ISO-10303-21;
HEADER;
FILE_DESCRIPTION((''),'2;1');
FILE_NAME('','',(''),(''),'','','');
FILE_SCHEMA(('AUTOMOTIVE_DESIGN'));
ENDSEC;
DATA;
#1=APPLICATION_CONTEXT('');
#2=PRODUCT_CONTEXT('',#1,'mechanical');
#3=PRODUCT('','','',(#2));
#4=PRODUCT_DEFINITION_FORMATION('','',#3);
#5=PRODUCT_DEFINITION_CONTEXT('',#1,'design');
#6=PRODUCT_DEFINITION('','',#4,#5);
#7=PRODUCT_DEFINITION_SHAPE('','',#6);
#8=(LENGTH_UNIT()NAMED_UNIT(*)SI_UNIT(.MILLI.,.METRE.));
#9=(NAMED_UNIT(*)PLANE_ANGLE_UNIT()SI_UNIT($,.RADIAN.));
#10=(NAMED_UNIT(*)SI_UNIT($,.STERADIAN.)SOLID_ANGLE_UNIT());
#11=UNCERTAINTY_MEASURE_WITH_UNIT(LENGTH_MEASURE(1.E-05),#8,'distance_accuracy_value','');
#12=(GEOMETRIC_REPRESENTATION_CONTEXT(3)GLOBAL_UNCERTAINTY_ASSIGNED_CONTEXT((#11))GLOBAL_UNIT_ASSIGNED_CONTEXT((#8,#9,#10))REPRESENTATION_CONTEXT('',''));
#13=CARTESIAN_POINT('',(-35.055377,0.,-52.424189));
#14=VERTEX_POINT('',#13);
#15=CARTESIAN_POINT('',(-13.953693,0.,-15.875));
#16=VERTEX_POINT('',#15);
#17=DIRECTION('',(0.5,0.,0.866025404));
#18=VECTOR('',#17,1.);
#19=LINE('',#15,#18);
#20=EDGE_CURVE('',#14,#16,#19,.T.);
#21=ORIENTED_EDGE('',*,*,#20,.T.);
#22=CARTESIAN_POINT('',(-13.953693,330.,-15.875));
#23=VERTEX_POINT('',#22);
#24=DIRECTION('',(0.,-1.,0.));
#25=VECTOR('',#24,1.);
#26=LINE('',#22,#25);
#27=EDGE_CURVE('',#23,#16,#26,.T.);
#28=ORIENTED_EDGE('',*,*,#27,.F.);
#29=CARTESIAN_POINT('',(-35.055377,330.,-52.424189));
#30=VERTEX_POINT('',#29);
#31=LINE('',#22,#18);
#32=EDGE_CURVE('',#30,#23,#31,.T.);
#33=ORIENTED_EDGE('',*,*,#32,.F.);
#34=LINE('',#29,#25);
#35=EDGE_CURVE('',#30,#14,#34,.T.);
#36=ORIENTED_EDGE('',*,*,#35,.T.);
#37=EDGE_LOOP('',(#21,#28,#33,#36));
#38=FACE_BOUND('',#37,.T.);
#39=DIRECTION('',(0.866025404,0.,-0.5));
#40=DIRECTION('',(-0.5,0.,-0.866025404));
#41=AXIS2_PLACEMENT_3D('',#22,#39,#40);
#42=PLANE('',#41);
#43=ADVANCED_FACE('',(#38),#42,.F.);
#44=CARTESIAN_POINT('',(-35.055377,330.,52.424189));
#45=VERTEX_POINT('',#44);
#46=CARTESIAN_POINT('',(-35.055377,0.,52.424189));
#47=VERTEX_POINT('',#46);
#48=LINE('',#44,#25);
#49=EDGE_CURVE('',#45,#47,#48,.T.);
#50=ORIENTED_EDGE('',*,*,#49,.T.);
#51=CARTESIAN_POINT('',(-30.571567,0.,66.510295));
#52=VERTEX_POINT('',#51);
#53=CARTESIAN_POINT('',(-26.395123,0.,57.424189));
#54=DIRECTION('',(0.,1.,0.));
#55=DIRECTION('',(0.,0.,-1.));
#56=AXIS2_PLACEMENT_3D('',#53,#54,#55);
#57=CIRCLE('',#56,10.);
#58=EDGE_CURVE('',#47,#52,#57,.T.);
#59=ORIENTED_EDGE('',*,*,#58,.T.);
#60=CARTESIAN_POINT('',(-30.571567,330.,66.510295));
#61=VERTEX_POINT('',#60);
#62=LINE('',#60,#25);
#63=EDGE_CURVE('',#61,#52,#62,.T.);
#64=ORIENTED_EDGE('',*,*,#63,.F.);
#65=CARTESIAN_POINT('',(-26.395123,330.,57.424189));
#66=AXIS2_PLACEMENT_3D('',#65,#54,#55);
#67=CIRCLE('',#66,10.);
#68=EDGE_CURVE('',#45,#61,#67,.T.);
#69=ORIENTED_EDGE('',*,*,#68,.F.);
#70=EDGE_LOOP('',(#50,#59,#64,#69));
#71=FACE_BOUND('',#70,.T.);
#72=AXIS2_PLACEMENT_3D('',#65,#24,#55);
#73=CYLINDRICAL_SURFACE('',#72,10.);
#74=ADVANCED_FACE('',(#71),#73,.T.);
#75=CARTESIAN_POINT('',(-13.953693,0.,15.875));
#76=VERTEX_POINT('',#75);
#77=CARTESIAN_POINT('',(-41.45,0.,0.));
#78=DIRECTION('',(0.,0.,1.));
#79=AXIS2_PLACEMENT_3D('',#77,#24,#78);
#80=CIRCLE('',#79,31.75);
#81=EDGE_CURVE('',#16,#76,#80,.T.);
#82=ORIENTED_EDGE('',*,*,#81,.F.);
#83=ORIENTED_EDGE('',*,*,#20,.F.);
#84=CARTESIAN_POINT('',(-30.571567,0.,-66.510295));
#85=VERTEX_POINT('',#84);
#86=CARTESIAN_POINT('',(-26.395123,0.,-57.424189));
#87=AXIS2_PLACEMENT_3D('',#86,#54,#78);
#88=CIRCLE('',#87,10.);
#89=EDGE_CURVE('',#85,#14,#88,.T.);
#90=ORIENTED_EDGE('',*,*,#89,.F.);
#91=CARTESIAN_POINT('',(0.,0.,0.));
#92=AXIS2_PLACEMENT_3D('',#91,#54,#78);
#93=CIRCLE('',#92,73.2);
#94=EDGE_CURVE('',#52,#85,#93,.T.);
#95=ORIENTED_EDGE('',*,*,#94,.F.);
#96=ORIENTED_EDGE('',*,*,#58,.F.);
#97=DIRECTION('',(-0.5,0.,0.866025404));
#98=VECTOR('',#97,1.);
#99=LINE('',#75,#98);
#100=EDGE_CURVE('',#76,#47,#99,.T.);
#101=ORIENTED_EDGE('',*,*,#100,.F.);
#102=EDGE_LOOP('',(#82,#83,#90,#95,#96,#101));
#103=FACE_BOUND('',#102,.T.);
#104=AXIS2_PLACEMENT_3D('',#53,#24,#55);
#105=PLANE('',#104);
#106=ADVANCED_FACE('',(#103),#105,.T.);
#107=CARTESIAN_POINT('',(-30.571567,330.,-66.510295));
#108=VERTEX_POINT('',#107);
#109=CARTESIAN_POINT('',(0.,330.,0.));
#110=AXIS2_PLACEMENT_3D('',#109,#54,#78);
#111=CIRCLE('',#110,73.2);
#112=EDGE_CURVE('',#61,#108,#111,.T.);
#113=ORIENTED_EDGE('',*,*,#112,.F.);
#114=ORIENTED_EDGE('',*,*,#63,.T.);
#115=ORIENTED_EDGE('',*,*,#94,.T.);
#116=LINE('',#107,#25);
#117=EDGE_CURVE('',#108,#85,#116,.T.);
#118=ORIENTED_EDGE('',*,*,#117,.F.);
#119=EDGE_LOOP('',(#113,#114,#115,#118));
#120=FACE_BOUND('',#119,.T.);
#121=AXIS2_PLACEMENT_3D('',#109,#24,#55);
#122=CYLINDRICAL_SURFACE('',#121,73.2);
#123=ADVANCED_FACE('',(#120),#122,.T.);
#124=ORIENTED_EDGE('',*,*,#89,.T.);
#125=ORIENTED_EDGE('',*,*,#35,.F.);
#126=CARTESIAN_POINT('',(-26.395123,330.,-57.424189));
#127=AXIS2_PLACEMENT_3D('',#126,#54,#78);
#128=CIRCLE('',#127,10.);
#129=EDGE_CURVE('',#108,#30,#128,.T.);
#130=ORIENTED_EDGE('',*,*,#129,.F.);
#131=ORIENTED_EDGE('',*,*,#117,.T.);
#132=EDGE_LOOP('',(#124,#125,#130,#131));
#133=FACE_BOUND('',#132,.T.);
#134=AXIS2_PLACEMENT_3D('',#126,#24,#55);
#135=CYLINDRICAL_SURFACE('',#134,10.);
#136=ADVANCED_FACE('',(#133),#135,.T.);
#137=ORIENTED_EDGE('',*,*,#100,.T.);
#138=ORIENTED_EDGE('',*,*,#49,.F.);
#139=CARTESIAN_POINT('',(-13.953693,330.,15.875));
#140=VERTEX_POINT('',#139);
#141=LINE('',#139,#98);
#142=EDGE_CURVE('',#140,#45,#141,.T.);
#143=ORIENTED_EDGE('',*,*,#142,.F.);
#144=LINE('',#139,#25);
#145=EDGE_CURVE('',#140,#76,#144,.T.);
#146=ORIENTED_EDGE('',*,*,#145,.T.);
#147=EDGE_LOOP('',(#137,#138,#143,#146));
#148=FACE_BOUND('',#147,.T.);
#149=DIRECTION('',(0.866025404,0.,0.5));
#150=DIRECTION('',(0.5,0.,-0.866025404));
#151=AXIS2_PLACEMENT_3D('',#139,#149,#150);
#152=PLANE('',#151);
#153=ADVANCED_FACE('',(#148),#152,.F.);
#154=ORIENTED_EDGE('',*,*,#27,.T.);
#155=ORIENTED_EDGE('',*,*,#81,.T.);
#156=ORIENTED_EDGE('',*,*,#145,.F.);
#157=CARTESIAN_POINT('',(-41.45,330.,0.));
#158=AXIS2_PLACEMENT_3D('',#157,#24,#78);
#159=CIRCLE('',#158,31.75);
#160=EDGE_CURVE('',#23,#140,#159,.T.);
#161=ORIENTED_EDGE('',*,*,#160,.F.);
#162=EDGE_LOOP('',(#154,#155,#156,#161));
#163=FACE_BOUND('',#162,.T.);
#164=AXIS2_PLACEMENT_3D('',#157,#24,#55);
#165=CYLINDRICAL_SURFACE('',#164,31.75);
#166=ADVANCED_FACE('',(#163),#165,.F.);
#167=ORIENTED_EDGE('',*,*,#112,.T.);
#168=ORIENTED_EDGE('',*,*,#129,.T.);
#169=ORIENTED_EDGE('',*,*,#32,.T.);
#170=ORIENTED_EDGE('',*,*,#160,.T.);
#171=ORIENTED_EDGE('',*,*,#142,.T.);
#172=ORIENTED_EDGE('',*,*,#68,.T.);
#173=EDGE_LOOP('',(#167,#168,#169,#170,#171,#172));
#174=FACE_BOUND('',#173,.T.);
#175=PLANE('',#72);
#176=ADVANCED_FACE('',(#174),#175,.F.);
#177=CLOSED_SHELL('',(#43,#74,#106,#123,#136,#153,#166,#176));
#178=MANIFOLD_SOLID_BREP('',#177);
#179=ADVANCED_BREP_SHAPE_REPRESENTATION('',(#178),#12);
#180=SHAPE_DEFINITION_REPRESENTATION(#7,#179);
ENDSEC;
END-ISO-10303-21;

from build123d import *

# Parameters (mm, degrees)
BOSS_EXTRUDE1_DEPTH = 330


with BuildPart() as part:
    # Sketch1 → Boss-Extrude1 (new body)
    with BuildSketch(Plane(origin=(0, 0, 0), x_dir=(1, 0, 0), z_dir=(0, 1, 0))):
        with BuildLine():
            Line((-13.95369343, 15.875), (-35.055377431, 52.424188815))
            ThreePointArc((-35.055377431, 52.424188815), (-35.924016074, 60.457372666), (-30.571566968, 66.51029464))
            ThreePointArc((-30.571566968, 66.51029464), (73.2, 0), (-30.571566968, -66.51029464))
            ThreePointArc((-30.571566968, -66.51029464), (-35.924016074, -60.457372666), (-35.055377431, -52.424188815))
            Line((-35.055377431, -52.424188815), (-13.95369343, -15.875))
            ThreePointArc((-13.95369343, -15.875), (-9.7, 0), (-13.95369343, 15.875))
        make_face()
    extrude(amount=BOSS_EXTRUDE1_DEPTH)


solid = part.part
